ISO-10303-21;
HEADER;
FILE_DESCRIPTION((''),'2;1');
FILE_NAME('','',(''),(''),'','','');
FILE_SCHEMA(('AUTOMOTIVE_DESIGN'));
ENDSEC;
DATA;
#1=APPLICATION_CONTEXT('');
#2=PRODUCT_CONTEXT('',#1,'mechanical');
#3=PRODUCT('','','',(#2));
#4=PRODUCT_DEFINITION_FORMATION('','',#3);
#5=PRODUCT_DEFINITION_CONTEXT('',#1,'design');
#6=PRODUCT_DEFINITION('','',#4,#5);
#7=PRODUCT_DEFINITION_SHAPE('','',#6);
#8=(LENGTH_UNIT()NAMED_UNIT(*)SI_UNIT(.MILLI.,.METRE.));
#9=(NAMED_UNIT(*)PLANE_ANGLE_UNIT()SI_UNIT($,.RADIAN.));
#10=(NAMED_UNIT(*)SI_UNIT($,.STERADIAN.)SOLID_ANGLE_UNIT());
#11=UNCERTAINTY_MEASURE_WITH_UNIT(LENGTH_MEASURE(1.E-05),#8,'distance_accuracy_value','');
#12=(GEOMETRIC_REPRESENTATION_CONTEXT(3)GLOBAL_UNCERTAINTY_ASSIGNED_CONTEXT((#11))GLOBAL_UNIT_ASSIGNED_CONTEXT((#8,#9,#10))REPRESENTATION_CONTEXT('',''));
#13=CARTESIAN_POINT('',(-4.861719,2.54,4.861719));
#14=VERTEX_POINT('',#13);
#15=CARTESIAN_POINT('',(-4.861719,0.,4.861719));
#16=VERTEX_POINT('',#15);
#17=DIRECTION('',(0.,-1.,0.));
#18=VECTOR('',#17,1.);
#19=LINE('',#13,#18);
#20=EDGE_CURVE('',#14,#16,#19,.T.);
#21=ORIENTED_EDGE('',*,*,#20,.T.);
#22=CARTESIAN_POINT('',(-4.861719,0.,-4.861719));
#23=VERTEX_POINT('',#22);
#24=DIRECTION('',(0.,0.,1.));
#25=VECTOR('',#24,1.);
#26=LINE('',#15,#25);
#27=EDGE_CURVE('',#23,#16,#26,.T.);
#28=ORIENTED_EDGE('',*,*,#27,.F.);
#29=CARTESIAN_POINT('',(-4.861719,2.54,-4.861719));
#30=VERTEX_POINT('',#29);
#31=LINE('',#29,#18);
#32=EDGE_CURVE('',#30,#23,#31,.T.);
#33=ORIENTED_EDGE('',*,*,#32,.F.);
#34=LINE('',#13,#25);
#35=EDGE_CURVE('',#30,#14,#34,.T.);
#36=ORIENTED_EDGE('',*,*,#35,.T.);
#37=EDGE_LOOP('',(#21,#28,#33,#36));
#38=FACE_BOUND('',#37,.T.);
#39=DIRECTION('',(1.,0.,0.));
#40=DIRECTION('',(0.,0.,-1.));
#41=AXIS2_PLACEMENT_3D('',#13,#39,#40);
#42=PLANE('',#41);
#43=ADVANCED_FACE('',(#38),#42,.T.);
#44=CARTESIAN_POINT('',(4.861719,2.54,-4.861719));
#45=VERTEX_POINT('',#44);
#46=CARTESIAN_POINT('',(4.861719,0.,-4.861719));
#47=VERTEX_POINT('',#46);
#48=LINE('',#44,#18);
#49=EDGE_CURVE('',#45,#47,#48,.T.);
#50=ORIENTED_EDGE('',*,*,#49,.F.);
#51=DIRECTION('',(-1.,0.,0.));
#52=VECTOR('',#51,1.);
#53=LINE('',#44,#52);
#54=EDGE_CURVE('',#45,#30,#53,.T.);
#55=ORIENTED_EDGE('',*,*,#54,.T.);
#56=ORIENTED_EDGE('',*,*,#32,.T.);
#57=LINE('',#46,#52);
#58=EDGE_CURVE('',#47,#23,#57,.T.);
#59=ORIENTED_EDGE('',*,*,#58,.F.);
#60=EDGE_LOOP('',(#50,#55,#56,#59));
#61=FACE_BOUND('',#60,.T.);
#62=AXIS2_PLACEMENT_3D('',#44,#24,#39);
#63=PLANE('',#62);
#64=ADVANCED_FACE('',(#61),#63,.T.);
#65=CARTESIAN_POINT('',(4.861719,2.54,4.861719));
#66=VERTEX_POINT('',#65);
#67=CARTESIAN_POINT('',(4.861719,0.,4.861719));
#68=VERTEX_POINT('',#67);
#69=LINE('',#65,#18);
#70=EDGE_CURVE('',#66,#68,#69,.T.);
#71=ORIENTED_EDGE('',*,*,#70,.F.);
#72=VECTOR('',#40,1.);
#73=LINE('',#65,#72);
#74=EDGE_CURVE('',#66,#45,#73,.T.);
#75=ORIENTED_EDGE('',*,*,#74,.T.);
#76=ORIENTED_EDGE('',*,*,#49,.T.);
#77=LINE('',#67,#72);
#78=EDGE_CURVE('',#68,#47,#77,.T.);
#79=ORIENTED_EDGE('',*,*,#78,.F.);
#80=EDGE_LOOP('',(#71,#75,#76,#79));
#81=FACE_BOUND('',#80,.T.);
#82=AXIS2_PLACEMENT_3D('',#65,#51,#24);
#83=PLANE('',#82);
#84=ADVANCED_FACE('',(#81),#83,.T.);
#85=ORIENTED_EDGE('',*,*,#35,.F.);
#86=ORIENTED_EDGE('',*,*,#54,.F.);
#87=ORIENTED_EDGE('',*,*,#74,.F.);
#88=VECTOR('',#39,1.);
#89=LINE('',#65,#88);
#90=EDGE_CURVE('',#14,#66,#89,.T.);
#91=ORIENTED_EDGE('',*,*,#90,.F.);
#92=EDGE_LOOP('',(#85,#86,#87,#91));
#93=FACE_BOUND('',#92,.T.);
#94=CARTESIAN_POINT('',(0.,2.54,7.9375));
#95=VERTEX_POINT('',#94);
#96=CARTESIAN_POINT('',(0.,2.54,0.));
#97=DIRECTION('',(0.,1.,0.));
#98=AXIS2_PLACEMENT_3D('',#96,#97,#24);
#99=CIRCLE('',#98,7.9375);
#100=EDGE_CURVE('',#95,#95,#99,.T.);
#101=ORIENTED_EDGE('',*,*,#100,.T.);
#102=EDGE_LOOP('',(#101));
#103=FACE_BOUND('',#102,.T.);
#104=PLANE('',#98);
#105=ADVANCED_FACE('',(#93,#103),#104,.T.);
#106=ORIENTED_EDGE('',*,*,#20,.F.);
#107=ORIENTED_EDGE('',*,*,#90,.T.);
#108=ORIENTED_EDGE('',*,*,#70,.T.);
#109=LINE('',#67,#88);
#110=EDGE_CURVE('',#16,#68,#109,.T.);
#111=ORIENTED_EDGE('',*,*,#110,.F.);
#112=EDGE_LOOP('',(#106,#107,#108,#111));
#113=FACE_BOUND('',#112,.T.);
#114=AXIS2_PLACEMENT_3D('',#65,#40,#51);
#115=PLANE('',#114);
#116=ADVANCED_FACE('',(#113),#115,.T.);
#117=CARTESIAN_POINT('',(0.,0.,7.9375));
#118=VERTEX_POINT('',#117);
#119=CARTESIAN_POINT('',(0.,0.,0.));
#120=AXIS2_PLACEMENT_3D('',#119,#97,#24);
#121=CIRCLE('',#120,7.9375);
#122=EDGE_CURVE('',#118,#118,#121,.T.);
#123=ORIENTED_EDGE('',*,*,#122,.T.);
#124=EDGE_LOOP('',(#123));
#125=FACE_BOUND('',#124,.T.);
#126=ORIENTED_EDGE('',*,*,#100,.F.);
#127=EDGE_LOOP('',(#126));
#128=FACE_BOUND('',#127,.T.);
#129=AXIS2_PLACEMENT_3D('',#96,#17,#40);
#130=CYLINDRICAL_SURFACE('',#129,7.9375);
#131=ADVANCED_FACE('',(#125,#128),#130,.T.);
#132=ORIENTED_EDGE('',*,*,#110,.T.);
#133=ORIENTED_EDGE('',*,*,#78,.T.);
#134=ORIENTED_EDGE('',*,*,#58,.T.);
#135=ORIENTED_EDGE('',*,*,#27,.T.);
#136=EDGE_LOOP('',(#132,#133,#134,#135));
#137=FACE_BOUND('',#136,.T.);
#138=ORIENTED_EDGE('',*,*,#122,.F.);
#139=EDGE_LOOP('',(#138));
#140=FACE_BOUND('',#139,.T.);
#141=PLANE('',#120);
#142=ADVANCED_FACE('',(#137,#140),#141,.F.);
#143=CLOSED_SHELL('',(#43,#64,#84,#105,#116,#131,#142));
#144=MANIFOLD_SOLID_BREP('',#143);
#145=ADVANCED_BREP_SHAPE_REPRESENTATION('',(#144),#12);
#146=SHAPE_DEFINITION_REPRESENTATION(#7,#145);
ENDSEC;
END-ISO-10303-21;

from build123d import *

# Parameters (mm, degrees)
SKETCH1_R           = 7.9375
SKETCH1_W           = 9.7234375
SKETCH1_H           = 9.7234375
BOSS_EXTRUDE1_DEPTH = 2.54


with BuildPart() as part:
    # Sketch1 → Boss-Extrude1 (new body)
    with BuildSketch(Plane(origin=(0, 0, 0), x_dir=(1, 0, 0), z_dir=(0, 1, 0))):
        with Locations(Location((0, 0, 0), (0, 0, 270))):
            Circle(SKETCH1_R)
        Rectangle(SKETCH1_W, SKETCH1_H, mode=Mode.SUBTRACT)
    extrude(amount=BOSS_EXTRUDE1_DEPTH)


solid = part.part
